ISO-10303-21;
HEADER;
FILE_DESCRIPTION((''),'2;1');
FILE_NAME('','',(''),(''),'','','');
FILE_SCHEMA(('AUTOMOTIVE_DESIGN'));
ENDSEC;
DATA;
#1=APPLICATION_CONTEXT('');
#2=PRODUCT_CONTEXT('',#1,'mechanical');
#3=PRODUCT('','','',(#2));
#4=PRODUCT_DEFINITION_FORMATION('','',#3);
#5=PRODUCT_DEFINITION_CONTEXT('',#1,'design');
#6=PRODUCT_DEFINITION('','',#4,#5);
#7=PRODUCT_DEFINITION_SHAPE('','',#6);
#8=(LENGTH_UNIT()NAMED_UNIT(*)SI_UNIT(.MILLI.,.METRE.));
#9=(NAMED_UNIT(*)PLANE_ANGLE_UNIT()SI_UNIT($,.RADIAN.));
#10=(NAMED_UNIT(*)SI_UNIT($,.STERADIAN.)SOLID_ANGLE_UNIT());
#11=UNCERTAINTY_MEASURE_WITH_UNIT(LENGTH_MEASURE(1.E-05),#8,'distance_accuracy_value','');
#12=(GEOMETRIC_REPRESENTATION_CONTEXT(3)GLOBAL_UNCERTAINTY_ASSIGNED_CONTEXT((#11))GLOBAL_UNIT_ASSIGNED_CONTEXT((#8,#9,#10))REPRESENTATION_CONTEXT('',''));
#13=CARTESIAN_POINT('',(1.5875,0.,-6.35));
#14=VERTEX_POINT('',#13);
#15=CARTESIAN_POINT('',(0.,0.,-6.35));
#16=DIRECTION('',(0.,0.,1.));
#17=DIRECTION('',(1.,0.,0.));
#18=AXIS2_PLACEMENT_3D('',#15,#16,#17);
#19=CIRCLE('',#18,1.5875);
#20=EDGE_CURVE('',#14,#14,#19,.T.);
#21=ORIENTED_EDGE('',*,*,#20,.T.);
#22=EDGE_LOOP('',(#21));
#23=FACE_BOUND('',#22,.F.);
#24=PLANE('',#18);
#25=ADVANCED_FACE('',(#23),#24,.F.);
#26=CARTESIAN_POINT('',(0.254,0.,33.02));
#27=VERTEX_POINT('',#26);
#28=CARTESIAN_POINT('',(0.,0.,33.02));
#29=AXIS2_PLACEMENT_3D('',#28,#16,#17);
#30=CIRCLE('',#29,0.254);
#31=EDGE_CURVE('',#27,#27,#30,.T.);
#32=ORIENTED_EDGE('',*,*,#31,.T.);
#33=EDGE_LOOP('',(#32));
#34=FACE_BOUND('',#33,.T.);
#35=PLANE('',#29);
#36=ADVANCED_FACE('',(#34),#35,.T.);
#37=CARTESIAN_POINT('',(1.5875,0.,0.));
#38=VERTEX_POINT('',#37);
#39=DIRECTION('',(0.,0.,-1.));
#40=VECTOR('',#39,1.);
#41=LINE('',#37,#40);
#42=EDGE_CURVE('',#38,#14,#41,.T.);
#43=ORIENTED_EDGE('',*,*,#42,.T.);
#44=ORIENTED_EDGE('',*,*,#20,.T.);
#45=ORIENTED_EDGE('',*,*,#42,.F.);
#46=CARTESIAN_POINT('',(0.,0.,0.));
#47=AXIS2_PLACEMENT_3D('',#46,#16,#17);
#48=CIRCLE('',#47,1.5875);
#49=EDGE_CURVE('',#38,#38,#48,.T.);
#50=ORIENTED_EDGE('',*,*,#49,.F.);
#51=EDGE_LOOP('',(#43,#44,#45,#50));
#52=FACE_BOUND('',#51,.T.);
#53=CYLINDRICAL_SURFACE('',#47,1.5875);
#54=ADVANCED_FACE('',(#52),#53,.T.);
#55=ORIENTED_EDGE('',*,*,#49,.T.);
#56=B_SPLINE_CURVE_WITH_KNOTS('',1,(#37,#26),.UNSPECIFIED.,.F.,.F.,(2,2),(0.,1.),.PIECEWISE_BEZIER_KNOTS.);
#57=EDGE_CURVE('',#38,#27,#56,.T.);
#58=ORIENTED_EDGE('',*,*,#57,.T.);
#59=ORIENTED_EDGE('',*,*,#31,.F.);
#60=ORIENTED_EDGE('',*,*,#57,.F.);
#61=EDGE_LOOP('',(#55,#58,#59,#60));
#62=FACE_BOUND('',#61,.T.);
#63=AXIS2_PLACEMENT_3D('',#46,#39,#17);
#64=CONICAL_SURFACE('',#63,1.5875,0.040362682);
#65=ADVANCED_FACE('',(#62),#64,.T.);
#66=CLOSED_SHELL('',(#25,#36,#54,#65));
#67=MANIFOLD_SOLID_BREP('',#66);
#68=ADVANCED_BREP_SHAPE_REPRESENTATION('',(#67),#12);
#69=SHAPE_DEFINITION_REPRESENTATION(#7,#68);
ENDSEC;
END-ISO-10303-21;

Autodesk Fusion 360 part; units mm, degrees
sketch "Sketch1" plane through (0, 0, 0) normal (0, 0, 1) x (1, 0, 0)
  circle A0 centre (0, 0) radius 1.5875
  dimension "d1" = 3.175
ref_plane "WorkPlane1" through (0, 0, 33.02) normal (0, 0, 1) x (1, 0, 0)
sketch "Sketch2" plane through (0, 0, 33.02) normal (0, 0, 1) x (1, 0, 0)
  circle A0 centre (0, 0) radius 0.254
  dimension "d3" = 0.508
loft "Loft1" add profiles "Sketch1", "Sketch2" section 1 section 2
extrude "Extrude2" add 1 faces at (-0.3879, 0.3599, 0) along direction (0, 0, -1) blind 6.35
sketch "Sketch4" plane through (0, 0, 0) normal (0, 1, 0) x (1, 0, 0)
equation "d1 = ( 1 / 8 ) * 1 in"
